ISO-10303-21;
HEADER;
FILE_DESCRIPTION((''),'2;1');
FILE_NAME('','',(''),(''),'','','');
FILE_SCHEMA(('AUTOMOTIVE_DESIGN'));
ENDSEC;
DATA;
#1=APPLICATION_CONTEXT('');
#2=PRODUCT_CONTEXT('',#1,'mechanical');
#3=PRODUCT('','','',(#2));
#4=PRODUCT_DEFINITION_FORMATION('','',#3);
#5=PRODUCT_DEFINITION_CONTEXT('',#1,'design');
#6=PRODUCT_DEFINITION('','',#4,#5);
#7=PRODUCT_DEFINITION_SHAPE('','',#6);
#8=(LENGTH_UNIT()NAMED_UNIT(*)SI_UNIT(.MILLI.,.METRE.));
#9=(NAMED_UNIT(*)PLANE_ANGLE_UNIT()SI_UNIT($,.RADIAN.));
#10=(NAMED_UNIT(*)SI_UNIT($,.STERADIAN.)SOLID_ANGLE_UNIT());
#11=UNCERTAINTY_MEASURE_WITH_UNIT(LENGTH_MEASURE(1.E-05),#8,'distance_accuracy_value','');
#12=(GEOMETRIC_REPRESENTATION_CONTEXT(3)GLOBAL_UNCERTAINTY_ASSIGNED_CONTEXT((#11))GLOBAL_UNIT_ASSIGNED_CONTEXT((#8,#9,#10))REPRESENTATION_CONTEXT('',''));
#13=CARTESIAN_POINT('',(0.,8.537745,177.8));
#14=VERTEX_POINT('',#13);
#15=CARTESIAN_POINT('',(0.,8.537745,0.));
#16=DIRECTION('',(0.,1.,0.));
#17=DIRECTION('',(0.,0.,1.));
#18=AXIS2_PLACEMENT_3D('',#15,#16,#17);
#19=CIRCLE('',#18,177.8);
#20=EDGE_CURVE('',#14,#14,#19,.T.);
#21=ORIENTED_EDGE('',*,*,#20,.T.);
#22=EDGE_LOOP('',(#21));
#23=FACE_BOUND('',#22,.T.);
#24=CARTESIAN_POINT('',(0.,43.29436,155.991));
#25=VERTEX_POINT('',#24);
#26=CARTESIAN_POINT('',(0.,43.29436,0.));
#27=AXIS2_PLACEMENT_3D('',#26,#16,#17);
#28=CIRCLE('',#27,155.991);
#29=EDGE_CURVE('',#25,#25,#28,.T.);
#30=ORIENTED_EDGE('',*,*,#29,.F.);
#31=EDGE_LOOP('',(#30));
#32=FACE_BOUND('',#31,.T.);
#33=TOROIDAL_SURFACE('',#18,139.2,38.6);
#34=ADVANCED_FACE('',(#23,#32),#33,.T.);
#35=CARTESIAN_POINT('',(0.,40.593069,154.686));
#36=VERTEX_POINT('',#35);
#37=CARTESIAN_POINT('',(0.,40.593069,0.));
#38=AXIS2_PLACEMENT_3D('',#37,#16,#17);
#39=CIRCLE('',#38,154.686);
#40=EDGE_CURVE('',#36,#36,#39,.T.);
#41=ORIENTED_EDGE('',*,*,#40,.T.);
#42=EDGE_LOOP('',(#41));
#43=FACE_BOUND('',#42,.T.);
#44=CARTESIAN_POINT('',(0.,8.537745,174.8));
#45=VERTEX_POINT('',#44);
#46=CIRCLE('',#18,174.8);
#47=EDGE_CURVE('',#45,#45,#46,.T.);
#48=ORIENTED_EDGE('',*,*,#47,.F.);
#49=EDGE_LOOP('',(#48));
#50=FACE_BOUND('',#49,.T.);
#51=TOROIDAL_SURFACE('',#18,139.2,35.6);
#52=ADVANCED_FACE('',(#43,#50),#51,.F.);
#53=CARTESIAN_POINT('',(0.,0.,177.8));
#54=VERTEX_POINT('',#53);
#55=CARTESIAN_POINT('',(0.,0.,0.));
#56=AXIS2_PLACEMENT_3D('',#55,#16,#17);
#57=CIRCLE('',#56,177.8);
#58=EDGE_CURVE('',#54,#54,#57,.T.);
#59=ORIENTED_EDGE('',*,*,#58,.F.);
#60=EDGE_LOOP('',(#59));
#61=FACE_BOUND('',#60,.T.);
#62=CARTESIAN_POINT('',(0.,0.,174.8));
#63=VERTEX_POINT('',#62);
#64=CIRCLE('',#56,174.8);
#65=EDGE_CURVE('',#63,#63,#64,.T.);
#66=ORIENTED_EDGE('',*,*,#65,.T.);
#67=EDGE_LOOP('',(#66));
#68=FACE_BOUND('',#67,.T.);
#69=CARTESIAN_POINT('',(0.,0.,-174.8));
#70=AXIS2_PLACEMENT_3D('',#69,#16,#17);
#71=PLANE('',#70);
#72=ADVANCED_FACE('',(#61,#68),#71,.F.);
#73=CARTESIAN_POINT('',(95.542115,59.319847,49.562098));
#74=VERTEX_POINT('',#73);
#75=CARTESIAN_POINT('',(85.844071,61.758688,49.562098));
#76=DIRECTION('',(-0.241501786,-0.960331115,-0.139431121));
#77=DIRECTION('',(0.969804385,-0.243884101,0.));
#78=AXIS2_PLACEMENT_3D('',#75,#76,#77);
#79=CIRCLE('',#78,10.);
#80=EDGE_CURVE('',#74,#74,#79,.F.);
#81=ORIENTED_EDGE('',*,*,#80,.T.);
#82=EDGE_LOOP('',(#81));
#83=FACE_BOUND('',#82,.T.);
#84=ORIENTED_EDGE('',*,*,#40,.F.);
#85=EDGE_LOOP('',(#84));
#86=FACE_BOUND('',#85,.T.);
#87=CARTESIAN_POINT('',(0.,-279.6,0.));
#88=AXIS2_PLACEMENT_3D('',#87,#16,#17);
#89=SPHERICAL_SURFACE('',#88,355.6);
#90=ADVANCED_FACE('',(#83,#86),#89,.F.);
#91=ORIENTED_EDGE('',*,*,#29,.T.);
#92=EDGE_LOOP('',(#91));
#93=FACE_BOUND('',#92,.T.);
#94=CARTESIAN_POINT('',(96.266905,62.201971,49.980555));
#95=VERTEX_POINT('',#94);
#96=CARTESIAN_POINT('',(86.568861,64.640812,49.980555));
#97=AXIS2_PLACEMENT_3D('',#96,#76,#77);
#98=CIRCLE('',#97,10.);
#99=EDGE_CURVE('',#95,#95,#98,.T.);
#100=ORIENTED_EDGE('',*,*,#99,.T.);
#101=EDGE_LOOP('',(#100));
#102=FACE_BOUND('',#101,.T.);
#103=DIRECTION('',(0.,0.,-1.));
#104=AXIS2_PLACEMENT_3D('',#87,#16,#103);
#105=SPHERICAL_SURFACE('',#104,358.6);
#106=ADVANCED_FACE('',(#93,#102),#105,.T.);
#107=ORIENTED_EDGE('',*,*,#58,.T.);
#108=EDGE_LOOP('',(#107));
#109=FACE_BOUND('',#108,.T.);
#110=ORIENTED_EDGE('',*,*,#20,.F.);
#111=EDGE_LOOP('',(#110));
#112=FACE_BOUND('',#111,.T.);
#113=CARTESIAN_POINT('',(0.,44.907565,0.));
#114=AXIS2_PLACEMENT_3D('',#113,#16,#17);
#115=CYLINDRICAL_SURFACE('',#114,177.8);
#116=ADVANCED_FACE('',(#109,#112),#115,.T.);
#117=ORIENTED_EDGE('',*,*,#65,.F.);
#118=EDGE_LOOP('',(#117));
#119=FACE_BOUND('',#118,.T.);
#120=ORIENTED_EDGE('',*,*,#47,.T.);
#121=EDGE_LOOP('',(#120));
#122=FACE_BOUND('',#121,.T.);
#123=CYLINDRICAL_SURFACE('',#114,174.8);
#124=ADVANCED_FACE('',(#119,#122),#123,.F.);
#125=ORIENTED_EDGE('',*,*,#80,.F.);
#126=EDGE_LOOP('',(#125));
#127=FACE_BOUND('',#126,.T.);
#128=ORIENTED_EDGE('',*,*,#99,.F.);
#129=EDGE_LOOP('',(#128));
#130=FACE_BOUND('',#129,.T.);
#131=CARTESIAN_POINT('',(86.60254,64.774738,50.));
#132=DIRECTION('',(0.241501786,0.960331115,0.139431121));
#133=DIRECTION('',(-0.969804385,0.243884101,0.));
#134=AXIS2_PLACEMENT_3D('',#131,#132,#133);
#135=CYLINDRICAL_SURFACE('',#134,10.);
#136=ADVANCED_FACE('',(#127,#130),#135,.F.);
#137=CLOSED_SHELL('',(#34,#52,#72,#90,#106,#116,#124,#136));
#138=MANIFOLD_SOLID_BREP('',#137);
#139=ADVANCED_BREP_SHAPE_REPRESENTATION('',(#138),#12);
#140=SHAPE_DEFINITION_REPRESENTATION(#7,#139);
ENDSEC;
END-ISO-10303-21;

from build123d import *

# Parameters (mm, degrees)
F_20_0_20_DURCHMESSER_BOHRUNG1_D = 20


with BuildPart() as part:
    # Skizze1 → Rotation1 (revolve)
    with BuildSketch(Plane(origin=(0, 0, 0), x_dir=(0, 0, -1), z_dir=(1, 0, 0)), mode=Mode.PRIVATE) as rotation1_sk:
        with BuildLine():
            Line((177.8, 0), (177.8, 8.537744837))
            ThreePointArc((177.8, 8.537744837), (171.896273488, 29.053926256), (155.991, 43.294360308))
            ThreePointArc((155.991, 43.294360308), (80.012631482, 69.959635546), (0, 79))
            Line((0, 79), (0, 76))
            ThreePointArc((0, 76), (79.343256428, 67.035266035), (154.686, 40.593068951))
            ThreePointArc((154.686, 40.593068951), (169.355112336, 27.459404384), (174.8, 8.537744837))
            Line((174.8, 8.537744837), (174.8, 0))
            Line((174.8, 0), (177.8, 0))
        make_face()
    revolve(rotation1_sk.sketch.rotate(Axis((0, 44.907564577, 0), (0, -1, 0)), 180), axis=Axis((0, 44.907564577, 0), (0, -1, 0)))  # turned: the seam where the file's is

    # Ø20.0 (20) Durchmesser Bohrung1 (through all)
    with Locations(Plane(origin=(86.602540378, 64.774737749, 50), x_dir=(0.969804385, -0.243884101, 0), z_dir=(0.241501786, 0.960331115, 0.139431121))):
        with Locations((0, 0)):
            Hole(F_20_0_20_DURCHMESSER_BOHRUNG1_D / 2)


solid = part.part
